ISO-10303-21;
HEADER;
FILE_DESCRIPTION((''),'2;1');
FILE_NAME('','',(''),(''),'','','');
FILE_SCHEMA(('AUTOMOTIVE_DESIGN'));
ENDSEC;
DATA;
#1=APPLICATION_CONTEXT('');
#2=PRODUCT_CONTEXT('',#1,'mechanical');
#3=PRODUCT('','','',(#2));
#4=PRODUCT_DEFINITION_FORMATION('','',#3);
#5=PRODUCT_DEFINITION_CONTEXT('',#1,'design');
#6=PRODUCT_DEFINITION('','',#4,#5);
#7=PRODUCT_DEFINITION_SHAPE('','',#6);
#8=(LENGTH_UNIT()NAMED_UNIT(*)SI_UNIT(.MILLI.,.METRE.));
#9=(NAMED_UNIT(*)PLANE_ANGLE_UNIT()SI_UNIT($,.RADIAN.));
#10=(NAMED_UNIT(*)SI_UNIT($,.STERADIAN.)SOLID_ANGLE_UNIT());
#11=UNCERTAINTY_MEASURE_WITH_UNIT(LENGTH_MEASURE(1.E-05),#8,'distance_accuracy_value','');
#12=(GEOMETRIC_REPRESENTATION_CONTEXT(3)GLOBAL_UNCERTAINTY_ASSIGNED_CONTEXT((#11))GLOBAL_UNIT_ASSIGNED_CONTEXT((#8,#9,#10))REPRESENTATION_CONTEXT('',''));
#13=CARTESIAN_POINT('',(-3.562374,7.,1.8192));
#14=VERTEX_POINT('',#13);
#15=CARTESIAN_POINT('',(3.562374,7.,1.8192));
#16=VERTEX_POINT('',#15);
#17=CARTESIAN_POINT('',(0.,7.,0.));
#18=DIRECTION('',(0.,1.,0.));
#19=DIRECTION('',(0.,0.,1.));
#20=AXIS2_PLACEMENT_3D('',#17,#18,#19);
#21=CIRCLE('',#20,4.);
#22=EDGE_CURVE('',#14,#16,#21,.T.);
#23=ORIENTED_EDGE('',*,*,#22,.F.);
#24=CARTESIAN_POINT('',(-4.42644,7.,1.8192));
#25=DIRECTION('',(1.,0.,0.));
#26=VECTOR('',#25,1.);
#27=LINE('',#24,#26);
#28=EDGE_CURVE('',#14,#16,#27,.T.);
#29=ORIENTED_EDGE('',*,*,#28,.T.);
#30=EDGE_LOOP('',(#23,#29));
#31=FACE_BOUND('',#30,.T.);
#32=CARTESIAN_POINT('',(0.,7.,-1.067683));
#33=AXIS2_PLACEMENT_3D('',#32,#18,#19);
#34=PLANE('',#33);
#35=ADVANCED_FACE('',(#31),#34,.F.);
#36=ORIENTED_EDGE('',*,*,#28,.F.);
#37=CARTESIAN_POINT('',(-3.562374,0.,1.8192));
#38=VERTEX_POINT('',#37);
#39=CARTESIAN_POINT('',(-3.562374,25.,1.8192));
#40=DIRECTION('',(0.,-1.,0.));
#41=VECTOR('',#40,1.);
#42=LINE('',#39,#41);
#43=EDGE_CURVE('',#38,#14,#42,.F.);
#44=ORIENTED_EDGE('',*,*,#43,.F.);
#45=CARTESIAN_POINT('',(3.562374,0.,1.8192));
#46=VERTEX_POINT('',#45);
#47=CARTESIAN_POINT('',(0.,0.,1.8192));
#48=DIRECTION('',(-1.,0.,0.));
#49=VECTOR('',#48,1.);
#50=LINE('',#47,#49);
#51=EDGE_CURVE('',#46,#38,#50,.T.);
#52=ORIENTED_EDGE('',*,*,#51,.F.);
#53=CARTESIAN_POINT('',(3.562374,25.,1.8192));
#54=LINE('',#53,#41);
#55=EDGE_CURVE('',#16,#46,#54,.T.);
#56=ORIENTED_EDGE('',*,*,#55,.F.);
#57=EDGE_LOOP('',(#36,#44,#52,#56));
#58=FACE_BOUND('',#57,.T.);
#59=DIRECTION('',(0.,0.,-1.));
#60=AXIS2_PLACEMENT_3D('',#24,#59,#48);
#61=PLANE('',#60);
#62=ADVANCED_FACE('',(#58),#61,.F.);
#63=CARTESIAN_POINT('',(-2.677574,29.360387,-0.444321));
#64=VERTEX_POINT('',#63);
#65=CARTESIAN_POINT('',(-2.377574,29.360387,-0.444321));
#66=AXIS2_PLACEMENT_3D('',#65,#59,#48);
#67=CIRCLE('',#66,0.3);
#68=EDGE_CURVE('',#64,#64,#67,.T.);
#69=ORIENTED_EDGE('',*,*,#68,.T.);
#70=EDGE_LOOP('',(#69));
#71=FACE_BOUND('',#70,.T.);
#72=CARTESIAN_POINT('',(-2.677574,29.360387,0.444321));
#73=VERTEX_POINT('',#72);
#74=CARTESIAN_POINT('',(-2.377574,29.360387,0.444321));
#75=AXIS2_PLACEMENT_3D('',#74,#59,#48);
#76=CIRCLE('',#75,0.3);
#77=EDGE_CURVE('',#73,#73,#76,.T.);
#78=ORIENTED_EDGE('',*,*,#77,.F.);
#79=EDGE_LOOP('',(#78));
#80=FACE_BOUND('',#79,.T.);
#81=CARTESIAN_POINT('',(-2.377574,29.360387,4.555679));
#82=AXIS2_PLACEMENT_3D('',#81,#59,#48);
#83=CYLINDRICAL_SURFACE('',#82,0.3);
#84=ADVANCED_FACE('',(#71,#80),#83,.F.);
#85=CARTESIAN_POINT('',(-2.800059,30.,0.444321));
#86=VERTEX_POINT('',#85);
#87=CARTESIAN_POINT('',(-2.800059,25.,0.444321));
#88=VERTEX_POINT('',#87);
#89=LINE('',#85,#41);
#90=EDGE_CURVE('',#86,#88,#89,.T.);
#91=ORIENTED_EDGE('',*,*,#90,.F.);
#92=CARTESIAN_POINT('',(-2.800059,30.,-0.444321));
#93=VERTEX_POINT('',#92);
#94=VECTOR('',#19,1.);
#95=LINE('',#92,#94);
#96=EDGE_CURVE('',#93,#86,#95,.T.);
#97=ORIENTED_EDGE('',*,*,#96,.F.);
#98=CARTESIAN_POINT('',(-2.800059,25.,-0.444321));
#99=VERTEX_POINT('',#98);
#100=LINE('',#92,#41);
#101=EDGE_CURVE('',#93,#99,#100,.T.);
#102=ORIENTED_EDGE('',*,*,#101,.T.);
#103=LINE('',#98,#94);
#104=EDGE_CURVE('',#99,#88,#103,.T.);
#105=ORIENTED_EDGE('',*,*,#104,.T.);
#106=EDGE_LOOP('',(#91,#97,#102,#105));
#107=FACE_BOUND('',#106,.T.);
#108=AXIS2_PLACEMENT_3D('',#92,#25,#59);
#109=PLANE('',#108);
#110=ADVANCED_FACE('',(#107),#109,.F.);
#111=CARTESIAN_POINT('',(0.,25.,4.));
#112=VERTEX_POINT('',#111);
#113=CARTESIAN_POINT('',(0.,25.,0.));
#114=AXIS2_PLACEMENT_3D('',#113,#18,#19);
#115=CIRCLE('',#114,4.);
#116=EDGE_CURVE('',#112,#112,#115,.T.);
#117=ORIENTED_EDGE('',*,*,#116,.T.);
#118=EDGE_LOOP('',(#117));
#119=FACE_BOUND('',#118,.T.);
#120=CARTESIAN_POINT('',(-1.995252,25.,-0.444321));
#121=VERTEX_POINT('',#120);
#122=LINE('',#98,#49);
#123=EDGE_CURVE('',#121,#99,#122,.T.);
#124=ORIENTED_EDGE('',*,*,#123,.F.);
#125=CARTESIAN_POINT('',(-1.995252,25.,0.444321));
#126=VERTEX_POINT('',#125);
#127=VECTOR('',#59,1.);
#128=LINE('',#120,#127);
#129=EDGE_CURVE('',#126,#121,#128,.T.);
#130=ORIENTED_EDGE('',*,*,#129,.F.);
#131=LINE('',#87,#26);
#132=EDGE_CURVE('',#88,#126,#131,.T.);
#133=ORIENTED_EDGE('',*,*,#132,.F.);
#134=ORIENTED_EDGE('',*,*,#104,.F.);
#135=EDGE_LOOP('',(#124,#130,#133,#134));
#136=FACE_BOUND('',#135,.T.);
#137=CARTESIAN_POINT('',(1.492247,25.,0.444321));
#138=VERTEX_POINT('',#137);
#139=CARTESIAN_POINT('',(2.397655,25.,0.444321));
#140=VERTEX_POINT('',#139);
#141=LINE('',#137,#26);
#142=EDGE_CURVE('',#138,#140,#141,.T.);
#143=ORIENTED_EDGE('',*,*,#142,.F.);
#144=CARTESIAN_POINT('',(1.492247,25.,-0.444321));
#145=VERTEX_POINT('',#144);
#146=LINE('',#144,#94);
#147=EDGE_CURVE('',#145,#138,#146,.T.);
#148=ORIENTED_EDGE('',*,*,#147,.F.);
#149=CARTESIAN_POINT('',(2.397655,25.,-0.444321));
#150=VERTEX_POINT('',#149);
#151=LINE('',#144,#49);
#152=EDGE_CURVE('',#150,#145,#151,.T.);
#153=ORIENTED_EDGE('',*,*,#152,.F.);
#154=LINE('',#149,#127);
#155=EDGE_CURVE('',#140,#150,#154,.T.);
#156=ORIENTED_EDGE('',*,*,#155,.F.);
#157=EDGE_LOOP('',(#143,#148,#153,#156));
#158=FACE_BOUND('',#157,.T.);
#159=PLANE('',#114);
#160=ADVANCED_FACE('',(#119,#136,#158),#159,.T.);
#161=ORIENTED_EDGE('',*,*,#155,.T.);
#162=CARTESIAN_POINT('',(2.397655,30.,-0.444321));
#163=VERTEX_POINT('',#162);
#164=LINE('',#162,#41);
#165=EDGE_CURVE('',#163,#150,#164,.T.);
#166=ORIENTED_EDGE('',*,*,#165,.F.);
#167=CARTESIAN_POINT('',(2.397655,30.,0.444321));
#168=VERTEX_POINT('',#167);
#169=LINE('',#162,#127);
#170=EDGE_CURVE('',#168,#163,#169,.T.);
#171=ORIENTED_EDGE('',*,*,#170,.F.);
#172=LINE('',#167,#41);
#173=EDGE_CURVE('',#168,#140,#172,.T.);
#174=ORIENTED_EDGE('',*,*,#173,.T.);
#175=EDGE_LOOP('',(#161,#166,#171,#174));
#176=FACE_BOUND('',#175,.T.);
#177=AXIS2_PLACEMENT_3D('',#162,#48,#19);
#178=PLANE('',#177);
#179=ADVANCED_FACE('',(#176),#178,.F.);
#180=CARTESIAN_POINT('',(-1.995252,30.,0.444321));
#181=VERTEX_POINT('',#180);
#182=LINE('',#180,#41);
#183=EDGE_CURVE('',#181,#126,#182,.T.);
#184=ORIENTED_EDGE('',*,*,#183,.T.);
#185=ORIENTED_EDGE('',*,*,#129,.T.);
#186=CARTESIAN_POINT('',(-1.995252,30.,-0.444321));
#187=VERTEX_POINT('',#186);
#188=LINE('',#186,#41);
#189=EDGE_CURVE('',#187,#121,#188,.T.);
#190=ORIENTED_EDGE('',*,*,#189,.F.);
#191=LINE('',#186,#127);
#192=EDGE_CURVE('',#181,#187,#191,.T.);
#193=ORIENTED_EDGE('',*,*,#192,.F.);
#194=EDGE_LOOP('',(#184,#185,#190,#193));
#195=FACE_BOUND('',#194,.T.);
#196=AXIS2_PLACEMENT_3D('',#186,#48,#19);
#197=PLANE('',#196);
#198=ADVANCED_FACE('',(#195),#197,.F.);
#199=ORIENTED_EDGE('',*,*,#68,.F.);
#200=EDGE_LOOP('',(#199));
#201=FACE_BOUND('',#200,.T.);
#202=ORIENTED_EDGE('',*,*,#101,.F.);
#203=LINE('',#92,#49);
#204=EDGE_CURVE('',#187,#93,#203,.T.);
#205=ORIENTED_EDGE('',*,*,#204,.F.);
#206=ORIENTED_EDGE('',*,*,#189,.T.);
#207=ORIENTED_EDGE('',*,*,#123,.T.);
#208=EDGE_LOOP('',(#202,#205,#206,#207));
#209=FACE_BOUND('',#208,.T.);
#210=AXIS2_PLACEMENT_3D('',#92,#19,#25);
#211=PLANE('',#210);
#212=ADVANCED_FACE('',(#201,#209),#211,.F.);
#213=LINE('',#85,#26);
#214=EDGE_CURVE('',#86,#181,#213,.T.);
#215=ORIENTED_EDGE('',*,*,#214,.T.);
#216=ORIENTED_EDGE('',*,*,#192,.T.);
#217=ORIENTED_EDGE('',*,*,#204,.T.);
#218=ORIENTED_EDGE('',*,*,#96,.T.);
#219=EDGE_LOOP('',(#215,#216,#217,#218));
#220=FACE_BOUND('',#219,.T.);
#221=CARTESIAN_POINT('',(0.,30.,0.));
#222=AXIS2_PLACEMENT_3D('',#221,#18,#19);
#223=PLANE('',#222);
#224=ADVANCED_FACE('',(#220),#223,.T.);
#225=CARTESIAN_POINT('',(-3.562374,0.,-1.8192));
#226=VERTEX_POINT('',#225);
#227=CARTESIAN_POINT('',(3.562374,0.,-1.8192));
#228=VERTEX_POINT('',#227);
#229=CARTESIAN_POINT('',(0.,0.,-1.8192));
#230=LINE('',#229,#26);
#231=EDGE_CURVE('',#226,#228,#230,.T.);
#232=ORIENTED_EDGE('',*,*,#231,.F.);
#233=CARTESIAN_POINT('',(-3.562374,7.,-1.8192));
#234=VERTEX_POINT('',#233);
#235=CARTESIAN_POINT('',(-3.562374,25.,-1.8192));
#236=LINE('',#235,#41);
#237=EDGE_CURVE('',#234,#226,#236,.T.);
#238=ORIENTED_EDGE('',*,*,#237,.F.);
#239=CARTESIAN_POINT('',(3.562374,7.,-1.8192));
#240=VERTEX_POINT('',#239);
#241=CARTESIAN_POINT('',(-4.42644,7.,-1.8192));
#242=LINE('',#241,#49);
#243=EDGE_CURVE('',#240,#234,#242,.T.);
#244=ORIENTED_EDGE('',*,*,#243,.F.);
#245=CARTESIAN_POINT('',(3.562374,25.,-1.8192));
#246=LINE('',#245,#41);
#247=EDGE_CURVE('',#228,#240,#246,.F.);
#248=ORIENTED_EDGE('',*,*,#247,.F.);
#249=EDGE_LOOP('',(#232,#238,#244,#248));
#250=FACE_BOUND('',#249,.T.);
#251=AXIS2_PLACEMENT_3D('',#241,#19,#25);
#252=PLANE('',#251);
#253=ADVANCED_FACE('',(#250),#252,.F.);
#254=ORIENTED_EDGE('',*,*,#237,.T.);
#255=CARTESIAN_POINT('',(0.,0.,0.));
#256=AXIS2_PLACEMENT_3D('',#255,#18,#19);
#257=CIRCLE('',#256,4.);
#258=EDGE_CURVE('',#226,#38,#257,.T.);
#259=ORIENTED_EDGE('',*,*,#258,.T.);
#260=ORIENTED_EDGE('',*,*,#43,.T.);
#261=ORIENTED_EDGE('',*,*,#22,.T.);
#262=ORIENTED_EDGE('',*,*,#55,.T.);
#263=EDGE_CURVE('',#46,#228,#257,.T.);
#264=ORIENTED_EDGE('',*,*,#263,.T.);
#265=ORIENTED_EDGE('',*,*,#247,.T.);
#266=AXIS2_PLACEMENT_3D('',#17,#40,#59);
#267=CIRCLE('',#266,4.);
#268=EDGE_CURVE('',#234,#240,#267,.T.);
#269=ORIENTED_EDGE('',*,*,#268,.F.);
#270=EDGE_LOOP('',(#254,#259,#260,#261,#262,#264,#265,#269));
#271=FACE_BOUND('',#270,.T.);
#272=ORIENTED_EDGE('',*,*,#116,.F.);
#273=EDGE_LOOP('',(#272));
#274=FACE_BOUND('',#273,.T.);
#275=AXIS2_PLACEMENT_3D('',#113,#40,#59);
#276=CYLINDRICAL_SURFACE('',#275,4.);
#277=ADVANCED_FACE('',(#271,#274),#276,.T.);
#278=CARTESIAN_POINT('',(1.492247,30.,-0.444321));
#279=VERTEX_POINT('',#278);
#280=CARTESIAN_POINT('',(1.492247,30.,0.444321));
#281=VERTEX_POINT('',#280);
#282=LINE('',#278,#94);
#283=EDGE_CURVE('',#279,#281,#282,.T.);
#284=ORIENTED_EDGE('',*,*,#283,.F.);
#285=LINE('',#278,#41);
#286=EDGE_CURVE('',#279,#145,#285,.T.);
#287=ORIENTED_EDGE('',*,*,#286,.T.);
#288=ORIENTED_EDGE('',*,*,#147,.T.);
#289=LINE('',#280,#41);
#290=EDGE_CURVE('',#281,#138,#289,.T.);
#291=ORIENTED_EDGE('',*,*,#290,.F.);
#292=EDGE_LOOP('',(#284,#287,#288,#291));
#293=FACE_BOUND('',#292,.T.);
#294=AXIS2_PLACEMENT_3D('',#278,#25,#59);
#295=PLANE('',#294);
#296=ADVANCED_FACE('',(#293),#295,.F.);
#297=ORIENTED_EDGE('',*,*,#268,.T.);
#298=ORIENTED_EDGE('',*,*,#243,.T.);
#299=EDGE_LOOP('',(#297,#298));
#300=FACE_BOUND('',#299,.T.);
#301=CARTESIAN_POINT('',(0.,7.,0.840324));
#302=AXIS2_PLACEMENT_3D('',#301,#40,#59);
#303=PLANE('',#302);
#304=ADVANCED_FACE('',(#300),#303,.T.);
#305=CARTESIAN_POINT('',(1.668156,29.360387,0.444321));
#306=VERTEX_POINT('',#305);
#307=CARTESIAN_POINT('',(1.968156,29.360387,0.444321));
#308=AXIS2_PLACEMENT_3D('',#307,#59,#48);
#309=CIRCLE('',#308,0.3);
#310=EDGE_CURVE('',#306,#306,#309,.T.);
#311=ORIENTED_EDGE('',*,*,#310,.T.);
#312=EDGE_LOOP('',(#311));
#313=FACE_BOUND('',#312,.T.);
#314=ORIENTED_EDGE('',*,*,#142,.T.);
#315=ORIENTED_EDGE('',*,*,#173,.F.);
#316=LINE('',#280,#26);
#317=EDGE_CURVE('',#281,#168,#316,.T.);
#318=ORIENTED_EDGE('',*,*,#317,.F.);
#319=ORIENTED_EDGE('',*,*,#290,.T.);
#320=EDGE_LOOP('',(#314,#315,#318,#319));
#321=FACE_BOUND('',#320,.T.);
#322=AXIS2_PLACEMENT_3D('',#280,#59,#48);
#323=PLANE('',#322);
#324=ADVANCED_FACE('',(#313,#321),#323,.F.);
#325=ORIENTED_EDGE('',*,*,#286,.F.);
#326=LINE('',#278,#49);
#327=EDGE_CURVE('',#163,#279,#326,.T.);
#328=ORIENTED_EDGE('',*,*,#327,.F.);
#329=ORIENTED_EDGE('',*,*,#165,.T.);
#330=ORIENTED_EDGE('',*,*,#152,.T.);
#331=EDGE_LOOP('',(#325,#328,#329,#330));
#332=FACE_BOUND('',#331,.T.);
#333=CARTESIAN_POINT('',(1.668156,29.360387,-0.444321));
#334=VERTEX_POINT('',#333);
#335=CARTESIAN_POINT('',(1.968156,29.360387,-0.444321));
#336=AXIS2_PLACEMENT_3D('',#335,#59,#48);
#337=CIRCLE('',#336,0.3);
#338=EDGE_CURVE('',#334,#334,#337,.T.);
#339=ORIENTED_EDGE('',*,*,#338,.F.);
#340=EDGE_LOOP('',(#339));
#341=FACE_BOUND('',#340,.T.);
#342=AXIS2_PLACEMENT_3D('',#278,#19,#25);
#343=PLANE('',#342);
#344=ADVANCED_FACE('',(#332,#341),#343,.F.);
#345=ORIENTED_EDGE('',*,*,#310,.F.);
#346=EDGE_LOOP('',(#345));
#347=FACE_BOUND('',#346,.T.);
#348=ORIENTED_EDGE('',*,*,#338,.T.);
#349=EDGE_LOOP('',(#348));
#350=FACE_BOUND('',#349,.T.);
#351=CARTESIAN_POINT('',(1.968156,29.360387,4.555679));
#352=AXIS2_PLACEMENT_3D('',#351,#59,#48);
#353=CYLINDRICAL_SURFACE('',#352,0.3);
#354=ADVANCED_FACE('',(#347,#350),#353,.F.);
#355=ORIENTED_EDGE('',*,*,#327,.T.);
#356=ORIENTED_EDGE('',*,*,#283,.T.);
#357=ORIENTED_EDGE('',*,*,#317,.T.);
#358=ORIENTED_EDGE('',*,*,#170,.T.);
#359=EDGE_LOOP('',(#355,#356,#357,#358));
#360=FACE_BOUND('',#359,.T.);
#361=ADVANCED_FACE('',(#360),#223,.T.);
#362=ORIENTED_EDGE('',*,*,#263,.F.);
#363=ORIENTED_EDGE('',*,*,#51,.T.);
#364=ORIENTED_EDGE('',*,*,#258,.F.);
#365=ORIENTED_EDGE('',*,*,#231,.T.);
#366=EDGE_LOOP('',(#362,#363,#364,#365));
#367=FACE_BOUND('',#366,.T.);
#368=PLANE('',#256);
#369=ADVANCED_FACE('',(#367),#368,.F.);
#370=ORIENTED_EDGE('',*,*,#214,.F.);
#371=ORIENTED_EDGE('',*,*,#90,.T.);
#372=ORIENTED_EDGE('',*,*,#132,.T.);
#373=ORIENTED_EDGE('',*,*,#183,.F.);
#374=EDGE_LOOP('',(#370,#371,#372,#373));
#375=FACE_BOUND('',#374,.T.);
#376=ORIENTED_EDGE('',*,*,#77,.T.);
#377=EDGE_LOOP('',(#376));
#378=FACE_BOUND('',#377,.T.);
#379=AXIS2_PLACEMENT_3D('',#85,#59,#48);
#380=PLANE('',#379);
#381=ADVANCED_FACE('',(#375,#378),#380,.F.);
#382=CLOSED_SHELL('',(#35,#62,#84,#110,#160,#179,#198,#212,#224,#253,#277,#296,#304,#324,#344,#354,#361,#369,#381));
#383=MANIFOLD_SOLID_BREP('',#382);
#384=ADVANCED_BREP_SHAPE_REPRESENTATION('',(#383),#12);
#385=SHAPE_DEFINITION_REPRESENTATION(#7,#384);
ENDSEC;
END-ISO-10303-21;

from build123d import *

# Parameters (mm, degrees)
SKETCH2_R           = 4
BOSS_EXTRUDE1_DEPTH = 25
CUT_EXTRUDE1_DEPTH  = 7
SKETCH6_W           = 0.80480735
SKETCH6_H           = 0.88864145
SKETCH6_W_2         = 0.905408268
BOSS_EXTRUDE2_DEPTH = 5
SKETCH7_R           = 0.3
CUT_EXTRUDE2_DEPTH  = 5


with BuildPart() as part:
    # Sketch2 → Boss-Extrude1 (new body)
    with BuildSketch(Plane(origin=(0, 0, 0), x_dir=(1, 0, 0), z_dir=(0, 1, 0))):
        with Locations(Location((0, 0, 0), (0, 0, 270))):
            Circle(SKETCH2_R)
    extrude(amount=BOSS_EXTRUDE1_DEPTH)

    # Sketch3 → Cut-Extrude1 (cut)
    with BuildSketch(Plane.XZ):
        with BuildLine():
            Line((-4.426440425, 1.819199948), (4.426440425, 1.819199948))
            ThreePointArc((4.426440425, 1.819199948), (0, 4.216961573), (-4.426440425, 1.819199948))
        make_face()
        with BuildLine():
            Line((-4.426440425, -1.819199948), (4.426440425, -1.819199948))
            ThreePointArc((4.426440425, -1.819199948), (0, -4.323632304), (-4.426440425, -1.819199948))
        make_face()
    extrude(amount=-CUT_EXTRUDE1_DEPTH, mode=Mode.SUBTRACT)

    # Sketch6 → Boss-Extrude2 (add)
    with BuildSketch(Plane(origin=(0, 25, 0), x_dir=(1, 0, 0), z_dir=(0, 1, 0))):
        with Locations((-2.39765523, 0)):
            Rectangle(SKETCH6_W, SKETCH6_H)
        with Locations((1.944951096, 0)):
            Rectangle(SKETCH6_W_2, SKETCH6_H)
    extrude(amount=BOSS_EXTRUDE2_DEPTH)

    # Sketch7 → Cut-Extrude2 (cut)
    with BuildSketch(Plane(origin=(0, 0, -0.444320725), x_dir=(-1, 0, 0), z_dir=(0, 0, -1))):
        with Locations((-1.968156059, 29.360387354)):
            Circle(SKETCH7_R)
        with Locations((2.377573757, 29.360387354)):
            Circle(SKETCH7_R)
    extrude(amount=-CUT_EXTRUDE2_DEPTH, mode=Mode.SUBTRACT)


solid = part.part
